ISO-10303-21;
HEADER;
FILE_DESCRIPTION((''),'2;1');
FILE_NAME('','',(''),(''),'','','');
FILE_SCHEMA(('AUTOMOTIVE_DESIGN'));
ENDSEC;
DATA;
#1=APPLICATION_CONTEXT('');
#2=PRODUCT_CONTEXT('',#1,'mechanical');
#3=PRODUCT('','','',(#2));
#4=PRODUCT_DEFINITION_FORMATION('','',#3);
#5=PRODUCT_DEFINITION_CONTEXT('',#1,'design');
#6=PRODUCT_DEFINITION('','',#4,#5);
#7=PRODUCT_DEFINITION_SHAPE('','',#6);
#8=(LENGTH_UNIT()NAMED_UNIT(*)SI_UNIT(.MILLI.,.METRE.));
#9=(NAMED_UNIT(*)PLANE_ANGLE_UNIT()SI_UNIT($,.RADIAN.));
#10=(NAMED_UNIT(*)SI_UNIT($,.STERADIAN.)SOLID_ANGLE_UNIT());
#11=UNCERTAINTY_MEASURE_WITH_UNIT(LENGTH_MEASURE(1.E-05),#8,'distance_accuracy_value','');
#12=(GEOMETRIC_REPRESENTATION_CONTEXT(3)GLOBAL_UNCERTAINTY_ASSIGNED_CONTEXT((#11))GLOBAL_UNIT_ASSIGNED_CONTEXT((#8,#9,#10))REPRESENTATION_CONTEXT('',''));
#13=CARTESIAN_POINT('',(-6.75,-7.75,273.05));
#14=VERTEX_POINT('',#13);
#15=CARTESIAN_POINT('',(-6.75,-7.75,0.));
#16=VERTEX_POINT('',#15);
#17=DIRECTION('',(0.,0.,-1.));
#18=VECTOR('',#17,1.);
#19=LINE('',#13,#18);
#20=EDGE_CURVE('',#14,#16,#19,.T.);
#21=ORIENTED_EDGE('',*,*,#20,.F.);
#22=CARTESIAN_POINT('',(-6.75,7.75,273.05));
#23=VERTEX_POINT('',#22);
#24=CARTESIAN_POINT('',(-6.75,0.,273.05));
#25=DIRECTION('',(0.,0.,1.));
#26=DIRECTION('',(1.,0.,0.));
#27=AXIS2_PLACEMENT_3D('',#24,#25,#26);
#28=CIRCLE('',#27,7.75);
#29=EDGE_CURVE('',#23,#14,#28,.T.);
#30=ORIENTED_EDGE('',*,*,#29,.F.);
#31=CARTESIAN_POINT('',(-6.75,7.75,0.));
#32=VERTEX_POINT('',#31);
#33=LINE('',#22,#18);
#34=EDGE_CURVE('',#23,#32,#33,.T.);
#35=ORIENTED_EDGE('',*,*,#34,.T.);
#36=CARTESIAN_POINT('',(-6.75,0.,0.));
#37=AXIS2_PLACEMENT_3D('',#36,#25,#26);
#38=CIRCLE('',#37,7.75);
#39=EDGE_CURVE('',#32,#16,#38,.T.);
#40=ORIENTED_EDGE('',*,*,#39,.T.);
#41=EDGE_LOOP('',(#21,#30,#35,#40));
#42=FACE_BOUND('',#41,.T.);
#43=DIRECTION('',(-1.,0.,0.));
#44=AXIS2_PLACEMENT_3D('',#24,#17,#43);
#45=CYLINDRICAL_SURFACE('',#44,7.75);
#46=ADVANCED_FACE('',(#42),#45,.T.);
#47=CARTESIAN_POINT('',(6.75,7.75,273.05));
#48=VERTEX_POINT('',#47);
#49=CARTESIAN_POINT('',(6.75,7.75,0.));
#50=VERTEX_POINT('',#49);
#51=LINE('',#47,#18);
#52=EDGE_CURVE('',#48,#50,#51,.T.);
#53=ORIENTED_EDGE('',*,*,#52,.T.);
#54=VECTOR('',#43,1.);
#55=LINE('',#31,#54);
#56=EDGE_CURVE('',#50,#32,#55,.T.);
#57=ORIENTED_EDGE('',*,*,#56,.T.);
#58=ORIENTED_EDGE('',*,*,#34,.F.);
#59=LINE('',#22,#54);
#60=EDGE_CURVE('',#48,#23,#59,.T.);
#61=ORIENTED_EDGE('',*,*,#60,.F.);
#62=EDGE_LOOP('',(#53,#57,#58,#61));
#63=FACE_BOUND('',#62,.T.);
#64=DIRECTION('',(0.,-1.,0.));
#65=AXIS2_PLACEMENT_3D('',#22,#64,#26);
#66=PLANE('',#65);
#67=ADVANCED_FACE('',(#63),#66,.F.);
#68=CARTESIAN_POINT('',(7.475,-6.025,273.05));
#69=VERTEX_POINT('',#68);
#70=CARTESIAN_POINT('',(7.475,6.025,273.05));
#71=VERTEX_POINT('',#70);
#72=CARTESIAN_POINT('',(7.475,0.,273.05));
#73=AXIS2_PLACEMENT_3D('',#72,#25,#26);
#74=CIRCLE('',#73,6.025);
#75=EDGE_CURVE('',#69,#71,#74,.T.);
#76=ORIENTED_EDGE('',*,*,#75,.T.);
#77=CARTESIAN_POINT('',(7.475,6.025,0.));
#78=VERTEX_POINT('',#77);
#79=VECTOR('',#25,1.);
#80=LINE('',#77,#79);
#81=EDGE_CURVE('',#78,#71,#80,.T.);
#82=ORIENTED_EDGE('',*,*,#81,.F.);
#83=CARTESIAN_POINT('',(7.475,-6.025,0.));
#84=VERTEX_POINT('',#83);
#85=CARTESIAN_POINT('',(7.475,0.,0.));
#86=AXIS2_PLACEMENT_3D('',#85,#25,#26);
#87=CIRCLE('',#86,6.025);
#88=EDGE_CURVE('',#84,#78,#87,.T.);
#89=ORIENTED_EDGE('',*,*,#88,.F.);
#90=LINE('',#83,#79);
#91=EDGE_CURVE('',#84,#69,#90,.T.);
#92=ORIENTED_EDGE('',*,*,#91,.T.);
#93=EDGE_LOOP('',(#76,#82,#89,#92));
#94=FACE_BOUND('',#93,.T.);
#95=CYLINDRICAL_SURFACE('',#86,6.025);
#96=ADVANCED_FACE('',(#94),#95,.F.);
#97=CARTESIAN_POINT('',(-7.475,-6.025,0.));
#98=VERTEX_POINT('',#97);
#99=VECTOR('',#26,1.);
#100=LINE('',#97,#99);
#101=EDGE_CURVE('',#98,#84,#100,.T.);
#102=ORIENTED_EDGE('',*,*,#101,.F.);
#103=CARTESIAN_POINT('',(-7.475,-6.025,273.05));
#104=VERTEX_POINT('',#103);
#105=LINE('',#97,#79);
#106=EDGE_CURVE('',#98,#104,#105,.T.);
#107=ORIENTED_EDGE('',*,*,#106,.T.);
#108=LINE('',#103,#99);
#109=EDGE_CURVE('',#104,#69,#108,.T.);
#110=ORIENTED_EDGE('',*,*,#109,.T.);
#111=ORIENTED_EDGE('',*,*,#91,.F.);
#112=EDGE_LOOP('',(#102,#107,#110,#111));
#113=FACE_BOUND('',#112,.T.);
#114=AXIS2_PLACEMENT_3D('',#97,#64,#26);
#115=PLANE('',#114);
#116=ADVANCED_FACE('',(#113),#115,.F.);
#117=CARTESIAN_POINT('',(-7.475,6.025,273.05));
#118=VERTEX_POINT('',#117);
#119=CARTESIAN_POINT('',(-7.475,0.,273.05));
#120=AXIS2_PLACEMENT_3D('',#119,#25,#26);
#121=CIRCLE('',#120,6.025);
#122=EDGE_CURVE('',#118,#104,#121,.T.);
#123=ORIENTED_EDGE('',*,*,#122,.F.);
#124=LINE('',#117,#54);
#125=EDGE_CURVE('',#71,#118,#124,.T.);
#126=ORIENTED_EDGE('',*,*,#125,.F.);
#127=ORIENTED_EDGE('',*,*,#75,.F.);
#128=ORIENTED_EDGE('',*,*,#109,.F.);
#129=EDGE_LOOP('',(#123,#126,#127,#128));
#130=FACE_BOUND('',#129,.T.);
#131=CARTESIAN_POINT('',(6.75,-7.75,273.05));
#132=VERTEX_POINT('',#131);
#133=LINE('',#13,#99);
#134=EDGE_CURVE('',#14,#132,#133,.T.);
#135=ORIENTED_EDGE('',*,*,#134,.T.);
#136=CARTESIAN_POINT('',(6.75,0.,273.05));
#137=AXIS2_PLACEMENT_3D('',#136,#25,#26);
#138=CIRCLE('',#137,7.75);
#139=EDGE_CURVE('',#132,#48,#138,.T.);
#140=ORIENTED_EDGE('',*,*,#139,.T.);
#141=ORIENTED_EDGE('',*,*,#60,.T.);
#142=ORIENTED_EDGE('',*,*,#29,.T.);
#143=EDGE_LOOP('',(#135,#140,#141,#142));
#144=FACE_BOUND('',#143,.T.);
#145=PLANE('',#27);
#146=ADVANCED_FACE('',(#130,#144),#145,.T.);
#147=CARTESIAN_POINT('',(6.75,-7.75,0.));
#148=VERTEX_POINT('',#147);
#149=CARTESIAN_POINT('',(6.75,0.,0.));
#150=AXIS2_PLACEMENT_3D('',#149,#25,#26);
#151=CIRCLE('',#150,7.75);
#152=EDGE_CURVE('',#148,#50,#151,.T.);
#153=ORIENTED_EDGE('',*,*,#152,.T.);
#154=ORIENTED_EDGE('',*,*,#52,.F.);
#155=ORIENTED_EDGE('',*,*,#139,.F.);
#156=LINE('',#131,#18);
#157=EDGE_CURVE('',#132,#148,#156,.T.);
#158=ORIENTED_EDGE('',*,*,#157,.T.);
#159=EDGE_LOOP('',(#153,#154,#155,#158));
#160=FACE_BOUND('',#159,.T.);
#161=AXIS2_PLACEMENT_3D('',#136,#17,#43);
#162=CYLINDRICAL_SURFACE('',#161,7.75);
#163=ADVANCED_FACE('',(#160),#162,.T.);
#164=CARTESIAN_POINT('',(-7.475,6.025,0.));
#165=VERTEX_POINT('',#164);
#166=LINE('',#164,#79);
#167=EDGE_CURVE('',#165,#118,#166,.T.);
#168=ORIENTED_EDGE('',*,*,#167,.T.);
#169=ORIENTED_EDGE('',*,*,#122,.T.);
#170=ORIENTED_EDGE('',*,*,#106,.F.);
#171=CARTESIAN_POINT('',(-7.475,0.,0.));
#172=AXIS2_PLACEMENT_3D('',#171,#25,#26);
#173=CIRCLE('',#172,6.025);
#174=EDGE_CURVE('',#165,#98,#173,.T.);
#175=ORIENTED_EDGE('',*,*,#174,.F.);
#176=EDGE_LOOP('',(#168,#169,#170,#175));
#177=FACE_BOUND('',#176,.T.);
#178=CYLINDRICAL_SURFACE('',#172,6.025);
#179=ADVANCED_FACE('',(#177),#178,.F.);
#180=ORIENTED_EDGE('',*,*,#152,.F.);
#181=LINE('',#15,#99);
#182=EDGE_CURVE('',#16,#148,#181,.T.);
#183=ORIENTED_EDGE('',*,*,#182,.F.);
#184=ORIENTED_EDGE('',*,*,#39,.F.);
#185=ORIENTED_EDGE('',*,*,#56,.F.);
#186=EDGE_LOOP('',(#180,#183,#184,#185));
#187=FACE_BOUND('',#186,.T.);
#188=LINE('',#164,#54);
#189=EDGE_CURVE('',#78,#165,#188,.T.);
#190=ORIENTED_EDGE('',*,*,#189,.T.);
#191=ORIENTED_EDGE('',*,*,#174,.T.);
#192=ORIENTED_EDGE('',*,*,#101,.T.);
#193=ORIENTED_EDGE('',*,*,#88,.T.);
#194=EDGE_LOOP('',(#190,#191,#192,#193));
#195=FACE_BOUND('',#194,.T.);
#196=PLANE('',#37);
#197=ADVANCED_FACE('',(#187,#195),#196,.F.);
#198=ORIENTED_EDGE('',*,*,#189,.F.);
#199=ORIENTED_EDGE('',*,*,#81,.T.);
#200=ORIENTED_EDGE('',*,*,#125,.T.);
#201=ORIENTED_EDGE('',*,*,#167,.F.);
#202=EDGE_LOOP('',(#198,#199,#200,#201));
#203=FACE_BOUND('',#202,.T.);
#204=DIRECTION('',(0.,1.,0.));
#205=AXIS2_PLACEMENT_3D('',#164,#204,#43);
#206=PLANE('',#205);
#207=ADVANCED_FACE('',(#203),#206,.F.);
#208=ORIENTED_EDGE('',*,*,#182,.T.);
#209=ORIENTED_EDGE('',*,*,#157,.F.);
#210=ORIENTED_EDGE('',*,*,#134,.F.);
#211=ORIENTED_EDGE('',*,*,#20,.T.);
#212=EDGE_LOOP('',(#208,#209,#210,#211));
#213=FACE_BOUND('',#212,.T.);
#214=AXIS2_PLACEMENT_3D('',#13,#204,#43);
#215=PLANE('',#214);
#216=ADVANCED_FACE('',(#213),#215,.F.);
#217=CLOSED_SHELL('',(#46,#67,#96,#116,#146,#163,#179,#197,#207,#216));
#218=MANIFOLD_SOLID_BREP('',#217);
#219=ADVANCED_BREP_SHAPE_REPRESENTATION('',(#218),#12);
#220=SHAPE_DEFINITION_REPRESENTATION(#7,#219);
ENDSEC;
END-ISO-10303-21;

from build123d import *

# Parameters (mm, degrees)
BOSS_EXTRUDE1_DEPTH     = 273.05
CUT_EXTRUDE1_DEPTH      = 274.544539335
CUT_EXTRUDE1_DEPTH_BACK = 274.544539335


with BuildPart() as part:
    # Sketch1 → Boss-Extrude1 (new body)
    with BuildSketch(Plane.XY):
        with BuildLine():
            Line((-6.75, 7.75), (6.75, 7.75))
            ThreePointArc((6.75, 7.75), (14.5, 0), (6.75, -7.75))
            Line((6.75, -7.75), (-6.75, -7.75))
            ThreePointArc((-6.75, -7.75), (-14.5, 0), (-6.75, 7.75))
        make_face()
    extrude(amount=BOSS_EXTRUDE1_DEPTH)

    # Sketch2 → Cut-Extrude1 (cut, two sides: drawn at the far end of the back side and taken through both)
    with BuildSketch(Plane.XY.offset(273.05).offset(-CUT_EXTRUDE1_DEPTH_BACK)):
        with BuildLine():
            Line((-7.475, 6.025), (7.475, 6.025))
            ThreePointArc((7.475, 6.025), (13.5, 0), (7.475, -6.025))
            Line((7.475, -6.025), (-7.475, -6.025))
            ThreePointArc((-7.475, -6.025), (-13.5, 0), (-7.475, 6.025))
        make_face()
    extrude(amount=CUT_EXTRUDE1_DEPTH + CUT_EXTRUDE1_DEPTH_BACK, mode=Mode.SUBTRACT)


solid = part.part
